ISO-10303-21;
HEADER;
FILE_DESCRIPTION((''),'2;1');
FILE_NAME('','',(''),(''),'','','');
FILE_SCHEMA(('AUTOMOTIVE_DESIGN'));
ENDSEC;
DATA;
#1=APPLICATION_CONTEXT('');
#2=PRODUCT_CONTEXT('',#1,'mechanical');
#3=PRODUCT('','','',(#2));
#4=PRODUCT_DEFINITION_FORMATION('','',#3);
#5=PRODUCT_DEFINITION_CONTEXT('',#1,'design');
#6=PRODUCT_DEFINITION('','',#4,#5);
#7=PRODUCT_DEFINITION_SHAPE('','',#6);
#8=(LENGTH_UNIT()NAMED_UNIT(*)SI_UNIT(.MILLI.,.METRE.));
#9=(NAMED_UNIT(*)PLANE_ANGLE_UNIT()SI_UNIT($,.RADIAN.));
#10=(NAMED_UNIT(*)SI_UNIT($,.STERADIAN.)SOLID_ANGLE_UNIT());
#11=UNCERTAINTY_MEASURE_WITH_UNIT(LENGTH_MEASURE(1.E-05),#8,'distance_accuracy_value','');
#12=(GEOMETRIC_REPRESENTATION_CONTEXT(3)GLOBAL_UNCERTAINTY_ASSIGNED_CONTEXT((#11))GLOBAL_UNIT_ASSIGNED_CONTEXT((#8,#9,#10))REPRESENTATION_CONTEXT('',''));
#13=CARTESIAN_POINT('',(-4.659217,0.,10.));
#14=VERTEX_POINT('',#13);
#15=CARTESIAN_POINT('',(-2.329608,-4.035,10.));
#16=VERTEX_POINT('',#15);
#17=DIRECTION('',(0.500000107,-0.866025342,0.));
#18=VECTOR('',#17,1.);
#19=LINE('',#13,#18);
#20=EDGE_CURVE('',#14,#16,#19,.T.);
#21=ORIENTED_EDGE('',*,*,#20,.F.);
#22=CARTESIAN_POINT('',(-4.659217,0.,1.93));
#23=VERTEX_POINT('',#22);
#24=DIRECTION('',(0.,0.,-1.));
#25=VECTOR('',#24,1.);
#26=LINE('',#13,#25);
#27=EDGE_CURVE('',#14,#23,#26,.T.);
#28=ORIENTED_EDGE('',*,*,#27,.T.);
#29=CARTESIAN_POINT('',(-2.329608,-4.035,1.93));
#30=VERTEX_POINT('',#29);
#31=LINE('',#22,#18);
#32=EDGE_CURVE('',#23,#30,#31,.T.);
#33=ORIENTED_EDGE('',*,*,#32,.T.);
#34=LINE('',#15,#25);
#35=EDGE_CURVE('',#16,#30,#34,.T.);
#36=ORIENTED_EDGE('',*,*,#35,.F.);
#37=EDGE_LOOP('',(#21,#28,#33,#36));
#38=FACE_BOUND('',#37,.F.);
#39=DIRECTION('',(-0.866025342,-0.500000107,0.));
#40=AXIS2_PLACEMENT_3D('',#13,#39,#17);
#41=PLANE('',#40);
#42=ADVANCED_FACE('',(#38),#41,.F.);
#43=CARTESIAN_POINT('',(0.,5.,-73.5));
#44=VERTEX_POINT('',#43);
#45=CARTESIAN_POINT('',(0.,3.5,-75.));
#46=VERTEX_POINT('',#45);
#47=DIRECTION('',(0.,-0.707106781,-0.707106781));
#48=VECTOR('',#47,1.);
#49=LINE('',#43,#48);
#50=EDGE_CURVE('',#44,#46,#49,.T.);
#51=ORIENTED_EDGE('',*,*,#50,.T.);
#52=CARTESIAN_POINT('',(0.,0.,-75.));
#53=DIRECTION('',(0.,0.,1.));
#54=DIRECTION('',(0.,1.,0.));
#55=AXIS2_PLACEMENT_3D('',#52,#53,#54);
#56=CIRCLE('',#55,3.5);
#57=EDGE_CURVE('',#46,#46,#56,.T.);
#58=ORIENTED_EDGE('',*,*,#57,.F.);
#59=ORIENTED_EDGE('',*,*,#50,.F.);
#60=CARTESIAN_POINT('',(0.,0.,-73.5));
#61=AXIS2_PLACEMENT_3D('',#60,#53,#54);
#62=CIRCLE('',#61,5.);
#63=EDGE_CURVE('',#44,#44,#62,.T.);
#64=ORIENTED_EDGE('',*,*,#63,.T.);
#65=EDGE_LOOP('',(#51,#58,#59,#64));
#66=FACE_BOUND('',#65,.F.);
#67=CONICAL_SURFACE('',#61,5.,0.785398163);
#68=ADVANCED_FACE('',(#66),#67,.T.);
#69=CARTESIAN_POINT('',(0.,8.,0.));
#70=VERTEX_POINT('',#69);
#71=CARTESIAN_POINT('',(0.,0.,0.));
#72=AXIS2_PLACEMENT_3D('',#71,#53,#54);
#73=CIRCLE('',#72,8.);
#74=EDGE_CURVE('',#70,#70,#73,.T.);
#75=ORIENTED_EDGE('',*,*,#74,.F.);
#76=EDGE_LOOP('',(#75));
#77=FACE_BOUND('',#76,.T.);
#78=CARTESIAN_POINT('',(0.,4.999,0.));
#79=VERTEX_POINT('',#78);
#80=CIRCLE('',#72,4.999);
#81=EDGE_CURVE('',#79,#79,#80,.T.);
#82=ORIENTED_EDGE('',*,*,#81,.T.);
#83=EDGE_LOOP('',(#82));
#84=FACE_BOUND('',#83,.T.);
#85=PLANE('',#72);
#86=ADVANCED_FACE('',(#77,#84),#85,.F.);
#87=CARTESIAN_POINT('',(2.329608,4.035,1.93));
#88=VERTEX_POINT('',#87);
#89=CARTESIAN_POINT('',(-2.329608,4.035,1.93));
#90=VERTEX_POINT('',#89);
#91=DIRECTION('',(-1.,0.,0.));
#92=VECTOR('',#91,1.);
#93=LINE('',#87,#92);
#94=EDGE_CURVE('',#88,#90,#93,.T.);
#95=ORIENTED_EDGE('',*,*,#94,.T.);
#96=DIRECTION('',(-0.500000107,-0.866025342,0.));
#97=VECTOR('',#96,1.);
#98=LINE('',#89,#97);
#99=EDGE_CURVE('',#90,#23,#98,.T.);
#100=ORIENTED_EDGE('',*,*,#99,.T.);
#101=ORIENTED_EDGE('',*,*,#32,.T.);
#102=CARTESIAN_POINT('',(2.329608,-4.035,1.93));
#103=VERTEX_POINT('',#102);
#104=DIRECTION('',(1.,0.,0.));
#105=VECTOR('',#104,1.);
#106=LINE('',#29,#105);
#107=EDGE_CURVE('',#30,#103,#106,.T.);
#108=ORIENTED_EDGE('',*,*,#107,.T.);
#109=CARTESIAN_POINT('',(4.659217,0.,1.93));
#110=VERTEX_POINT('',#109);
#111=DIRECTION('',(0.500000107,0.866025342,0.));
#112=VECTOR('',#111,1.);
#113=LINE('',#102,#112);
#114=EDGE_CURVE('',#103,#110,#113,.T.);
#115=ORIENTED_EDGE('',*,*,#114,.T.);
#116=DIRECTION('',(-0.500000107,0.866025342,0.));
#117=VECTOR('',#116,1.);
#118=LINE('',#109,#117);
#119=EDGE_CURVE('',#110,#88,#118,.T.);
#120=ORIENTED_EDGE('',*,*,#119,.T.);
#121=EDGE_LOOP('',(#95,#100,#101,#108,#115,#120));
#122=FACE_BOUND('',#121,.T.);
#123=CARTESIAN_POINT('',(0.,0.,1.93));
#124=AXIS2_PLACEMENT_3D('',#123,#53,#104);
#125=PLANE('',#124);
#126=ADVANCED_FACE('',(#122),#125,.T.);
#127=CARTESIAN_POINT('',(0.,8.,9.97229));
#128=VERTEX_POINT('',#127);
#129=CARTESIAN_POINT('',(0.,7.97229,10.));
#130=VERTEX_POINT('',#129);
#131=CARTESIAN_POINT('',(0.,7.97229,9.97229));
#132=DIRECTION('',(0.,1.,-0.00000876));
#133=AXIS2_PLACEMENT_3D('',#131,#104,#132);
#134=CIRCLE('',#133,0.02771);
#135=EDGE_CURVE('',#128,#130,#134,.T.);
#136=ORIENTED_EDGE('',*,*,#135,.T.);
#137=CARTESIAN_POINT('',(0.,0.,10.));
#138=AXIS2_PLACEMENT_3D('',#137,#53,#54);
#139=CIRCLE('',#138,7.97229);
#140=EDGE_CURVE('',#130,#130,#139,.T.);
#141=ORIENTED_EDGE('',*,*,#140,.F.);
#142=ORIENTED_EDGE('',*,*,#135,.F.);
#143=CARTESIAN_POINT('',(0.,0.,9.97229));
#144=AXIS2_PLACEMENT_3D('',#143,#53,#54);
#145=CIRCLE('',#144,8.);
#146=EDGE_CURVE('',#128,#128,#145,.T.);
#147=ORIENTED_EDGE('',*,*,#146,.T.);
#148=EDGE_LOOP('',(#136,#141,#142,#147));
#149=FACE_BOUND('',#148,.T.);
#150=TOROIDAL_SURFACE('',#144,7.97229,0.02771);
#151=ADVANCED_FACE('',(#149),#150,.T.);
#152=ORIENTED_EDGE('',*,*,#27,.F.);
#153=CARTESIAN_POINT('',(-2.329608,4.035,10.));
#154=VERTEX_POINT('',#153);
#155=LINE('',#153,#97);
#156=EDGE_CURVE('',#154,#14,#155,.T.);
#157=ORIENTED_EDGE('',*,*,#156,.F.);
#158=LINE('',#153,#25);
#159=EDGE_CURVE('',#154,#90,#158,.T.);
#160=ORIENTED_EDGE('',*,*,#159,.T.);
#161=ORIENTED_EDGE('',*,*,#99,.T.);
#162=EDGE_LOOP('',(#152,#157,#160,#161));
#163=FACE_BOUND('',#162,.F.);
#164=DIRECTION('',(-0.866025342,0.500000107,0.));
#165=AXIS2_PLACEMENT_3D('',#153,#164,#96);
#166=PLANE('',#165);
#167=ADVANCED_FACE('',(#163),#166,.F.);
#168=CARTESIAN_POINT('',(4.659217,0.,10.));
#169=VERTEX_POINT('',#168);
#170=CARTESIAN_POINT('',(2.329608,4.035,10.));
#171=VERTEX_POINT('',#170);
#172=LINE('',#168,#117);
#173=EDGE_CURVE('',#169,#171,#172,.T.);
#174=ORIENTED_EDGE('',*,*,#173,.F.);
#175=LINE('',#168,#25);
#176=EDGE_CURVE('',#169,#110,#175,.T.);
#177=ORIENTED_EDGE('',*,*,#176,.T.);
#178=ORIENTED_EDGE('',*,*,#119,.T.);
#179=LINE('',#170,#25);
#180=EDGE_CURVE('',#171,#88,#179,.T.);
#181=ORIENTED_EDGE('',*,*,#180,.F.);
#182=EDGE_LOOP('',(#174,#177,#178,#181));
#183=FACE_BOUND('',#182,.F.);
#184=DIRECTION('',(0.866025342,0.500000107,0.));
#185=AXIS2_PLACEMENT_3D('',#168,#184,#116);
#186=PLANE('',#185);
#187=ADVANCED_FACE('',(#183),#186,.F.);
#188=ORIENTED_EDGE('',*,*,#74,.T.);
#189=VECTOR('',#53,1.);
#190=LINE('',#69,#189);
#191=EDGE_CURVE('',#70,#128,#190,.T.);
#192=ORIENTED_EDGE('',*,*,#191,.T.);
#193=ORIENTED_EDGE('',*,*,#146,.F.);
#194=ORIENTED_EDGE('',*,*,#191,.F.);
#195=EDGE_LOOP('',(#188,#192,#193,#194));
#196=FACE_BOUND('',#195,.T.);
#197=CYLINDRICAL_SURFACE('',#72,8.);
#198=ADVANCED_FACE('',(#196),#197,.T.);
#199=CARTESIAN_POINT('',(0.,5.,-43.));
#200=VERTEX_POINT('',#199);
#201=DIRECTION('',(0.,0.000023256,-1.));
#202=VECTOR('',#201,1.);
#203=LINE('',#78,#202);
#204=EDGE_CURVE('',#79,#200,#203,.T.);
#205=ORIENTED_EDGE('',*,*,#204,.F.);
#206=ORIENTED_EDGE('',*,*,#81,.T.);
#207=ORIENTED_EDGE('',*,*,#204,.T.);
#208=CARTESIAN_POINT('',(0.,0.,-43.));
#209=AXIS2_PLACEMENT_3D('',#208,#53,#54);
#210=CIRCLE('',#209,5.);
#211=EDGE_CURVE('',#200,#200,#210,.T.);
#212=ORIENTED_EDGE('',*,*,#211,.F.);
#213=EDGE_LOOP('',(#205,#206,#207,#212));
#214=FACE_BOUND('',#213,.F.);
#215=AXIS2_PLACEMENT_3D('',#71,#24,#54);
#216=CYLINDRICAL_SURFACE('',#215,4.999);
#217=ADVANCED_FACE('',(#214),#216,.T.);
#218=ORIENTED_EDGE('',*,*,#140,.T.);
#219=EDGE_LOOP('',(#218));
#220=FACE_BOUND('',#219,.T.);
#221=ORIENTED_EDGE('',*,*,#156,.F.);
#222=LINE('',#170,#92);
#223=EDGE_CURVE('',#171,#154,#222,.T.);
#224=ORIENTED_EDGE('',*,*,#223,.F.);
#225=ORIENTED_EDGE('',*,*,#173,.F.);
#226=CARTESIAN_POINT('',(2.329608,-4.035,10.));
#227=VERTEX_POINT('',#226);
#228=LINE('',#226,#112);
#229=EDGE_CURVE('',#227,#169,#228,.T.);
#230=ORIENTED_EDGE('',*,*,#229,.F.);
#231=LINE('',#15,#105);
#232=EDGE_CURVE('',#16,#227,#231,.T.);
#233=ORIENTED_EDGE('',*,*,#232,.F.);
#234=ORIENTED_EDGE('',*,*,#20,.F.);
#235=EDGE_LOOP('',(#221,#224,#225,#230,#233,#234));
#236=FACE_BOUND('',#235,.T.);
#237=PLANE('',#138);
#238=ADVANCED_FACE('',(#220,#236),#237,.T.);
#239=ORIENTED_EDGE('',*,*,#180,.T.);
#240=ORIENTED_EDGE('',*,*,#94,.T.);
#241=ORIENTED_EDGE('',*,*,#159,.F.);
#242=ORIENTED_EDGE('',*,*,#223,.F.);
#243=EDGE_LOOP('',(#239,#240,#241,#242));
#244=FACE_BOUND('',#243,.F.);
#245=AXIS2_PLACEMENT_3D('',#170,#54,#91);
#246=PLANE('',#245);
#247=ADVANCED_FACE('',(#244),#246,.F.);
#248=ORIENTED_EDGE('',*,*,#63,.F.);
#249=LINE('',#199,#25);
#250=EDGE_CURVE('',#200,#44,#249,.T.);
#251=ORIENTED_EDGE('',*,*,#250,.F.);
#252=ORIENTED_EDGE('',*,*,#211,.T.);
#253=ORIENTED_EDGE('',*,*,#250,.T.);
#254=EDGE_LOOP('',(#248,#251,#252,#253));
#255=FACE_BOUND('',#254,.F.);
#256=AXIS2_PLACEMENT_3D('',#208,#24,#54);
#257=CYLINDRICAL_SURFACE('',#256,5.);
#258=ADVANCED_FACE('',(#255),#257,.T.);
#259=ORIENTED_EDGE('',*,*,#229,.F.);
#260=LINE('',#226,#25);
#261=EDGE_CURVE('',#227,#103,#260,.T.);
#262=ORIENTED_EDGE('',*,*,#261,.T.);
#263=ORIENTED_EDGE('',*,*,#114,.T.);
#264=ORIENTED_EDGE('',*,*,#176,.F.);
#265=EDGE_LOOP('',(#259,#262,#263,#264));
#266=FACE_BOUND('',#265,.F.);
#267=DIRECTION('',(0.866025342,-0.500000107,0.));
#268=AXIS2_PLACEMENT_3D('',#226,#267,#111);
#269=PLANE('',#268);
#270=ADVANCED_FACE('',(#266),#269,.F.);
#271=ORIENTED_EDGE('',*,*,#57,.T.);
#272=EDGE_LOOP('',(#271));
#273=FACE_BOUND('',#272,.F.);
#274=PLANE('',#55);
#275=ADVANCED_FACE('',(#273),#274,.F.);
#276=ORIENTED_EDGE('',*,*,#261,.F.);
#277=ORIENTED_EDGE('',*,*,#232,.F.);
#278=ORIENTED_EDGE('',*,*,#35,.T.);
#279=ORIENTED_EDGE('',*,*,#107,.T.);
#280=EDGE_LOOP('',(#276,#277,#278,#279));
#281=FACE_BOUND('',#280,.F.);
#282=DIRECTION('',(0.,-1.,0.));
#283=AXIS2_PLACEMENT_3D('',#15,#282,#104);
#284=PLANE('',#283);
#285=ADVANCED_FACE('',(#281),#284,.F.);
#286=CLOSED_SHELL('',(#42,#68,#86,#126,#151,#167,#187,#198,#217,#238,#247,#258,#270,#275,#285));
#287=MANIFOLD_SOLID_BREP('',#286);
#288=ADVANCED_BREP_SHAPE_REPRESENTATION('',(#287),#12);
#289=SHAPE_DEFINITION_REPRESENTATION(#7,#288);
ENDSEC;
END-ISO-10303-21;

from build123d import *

# Parameters (mm, degrees)
POCKET_DEPTH = 8.07


with BuildPart() as part:
    # Sketch → Revolve (revolve)
    with BuildSketch(Plane.YZ):
        with BuildLine():
            Line((4.999, 0), (8, 0))
            Line((8, 0), (8, 9.97229))
            ThreePointArc((8, 9.97229), (7.991884, 9.991884), (7.97229, 10))
            Line((7.97229, 10), (0, 10))
            Line((0, -75), (0, 10))
            Line((3.5, -75), (0, -75))
            Line((5, -73.5), (3.5, -75))
            Line((5, -43), (5, -73.5))
            Line((4.999, 0), (5, -43))
        make_face()
    revolve(axis=Axis((0, 0, 0), (0, 0, 1)))

    # Sketch001 → Pocket (cut)
    with BuildSketch(Plane.XY.offset(10)):
        Polygon((4.659217, 0), (2.329608, 4.035), (-2.329608, 4.035), (-4.659217, 0), (-2.329608, -4.035), (2.329608, -4.035), align=None)
    extrude(amount=-POCKET_DEPTH, mode=Mode.SUBTRACT)


solid = part.part
